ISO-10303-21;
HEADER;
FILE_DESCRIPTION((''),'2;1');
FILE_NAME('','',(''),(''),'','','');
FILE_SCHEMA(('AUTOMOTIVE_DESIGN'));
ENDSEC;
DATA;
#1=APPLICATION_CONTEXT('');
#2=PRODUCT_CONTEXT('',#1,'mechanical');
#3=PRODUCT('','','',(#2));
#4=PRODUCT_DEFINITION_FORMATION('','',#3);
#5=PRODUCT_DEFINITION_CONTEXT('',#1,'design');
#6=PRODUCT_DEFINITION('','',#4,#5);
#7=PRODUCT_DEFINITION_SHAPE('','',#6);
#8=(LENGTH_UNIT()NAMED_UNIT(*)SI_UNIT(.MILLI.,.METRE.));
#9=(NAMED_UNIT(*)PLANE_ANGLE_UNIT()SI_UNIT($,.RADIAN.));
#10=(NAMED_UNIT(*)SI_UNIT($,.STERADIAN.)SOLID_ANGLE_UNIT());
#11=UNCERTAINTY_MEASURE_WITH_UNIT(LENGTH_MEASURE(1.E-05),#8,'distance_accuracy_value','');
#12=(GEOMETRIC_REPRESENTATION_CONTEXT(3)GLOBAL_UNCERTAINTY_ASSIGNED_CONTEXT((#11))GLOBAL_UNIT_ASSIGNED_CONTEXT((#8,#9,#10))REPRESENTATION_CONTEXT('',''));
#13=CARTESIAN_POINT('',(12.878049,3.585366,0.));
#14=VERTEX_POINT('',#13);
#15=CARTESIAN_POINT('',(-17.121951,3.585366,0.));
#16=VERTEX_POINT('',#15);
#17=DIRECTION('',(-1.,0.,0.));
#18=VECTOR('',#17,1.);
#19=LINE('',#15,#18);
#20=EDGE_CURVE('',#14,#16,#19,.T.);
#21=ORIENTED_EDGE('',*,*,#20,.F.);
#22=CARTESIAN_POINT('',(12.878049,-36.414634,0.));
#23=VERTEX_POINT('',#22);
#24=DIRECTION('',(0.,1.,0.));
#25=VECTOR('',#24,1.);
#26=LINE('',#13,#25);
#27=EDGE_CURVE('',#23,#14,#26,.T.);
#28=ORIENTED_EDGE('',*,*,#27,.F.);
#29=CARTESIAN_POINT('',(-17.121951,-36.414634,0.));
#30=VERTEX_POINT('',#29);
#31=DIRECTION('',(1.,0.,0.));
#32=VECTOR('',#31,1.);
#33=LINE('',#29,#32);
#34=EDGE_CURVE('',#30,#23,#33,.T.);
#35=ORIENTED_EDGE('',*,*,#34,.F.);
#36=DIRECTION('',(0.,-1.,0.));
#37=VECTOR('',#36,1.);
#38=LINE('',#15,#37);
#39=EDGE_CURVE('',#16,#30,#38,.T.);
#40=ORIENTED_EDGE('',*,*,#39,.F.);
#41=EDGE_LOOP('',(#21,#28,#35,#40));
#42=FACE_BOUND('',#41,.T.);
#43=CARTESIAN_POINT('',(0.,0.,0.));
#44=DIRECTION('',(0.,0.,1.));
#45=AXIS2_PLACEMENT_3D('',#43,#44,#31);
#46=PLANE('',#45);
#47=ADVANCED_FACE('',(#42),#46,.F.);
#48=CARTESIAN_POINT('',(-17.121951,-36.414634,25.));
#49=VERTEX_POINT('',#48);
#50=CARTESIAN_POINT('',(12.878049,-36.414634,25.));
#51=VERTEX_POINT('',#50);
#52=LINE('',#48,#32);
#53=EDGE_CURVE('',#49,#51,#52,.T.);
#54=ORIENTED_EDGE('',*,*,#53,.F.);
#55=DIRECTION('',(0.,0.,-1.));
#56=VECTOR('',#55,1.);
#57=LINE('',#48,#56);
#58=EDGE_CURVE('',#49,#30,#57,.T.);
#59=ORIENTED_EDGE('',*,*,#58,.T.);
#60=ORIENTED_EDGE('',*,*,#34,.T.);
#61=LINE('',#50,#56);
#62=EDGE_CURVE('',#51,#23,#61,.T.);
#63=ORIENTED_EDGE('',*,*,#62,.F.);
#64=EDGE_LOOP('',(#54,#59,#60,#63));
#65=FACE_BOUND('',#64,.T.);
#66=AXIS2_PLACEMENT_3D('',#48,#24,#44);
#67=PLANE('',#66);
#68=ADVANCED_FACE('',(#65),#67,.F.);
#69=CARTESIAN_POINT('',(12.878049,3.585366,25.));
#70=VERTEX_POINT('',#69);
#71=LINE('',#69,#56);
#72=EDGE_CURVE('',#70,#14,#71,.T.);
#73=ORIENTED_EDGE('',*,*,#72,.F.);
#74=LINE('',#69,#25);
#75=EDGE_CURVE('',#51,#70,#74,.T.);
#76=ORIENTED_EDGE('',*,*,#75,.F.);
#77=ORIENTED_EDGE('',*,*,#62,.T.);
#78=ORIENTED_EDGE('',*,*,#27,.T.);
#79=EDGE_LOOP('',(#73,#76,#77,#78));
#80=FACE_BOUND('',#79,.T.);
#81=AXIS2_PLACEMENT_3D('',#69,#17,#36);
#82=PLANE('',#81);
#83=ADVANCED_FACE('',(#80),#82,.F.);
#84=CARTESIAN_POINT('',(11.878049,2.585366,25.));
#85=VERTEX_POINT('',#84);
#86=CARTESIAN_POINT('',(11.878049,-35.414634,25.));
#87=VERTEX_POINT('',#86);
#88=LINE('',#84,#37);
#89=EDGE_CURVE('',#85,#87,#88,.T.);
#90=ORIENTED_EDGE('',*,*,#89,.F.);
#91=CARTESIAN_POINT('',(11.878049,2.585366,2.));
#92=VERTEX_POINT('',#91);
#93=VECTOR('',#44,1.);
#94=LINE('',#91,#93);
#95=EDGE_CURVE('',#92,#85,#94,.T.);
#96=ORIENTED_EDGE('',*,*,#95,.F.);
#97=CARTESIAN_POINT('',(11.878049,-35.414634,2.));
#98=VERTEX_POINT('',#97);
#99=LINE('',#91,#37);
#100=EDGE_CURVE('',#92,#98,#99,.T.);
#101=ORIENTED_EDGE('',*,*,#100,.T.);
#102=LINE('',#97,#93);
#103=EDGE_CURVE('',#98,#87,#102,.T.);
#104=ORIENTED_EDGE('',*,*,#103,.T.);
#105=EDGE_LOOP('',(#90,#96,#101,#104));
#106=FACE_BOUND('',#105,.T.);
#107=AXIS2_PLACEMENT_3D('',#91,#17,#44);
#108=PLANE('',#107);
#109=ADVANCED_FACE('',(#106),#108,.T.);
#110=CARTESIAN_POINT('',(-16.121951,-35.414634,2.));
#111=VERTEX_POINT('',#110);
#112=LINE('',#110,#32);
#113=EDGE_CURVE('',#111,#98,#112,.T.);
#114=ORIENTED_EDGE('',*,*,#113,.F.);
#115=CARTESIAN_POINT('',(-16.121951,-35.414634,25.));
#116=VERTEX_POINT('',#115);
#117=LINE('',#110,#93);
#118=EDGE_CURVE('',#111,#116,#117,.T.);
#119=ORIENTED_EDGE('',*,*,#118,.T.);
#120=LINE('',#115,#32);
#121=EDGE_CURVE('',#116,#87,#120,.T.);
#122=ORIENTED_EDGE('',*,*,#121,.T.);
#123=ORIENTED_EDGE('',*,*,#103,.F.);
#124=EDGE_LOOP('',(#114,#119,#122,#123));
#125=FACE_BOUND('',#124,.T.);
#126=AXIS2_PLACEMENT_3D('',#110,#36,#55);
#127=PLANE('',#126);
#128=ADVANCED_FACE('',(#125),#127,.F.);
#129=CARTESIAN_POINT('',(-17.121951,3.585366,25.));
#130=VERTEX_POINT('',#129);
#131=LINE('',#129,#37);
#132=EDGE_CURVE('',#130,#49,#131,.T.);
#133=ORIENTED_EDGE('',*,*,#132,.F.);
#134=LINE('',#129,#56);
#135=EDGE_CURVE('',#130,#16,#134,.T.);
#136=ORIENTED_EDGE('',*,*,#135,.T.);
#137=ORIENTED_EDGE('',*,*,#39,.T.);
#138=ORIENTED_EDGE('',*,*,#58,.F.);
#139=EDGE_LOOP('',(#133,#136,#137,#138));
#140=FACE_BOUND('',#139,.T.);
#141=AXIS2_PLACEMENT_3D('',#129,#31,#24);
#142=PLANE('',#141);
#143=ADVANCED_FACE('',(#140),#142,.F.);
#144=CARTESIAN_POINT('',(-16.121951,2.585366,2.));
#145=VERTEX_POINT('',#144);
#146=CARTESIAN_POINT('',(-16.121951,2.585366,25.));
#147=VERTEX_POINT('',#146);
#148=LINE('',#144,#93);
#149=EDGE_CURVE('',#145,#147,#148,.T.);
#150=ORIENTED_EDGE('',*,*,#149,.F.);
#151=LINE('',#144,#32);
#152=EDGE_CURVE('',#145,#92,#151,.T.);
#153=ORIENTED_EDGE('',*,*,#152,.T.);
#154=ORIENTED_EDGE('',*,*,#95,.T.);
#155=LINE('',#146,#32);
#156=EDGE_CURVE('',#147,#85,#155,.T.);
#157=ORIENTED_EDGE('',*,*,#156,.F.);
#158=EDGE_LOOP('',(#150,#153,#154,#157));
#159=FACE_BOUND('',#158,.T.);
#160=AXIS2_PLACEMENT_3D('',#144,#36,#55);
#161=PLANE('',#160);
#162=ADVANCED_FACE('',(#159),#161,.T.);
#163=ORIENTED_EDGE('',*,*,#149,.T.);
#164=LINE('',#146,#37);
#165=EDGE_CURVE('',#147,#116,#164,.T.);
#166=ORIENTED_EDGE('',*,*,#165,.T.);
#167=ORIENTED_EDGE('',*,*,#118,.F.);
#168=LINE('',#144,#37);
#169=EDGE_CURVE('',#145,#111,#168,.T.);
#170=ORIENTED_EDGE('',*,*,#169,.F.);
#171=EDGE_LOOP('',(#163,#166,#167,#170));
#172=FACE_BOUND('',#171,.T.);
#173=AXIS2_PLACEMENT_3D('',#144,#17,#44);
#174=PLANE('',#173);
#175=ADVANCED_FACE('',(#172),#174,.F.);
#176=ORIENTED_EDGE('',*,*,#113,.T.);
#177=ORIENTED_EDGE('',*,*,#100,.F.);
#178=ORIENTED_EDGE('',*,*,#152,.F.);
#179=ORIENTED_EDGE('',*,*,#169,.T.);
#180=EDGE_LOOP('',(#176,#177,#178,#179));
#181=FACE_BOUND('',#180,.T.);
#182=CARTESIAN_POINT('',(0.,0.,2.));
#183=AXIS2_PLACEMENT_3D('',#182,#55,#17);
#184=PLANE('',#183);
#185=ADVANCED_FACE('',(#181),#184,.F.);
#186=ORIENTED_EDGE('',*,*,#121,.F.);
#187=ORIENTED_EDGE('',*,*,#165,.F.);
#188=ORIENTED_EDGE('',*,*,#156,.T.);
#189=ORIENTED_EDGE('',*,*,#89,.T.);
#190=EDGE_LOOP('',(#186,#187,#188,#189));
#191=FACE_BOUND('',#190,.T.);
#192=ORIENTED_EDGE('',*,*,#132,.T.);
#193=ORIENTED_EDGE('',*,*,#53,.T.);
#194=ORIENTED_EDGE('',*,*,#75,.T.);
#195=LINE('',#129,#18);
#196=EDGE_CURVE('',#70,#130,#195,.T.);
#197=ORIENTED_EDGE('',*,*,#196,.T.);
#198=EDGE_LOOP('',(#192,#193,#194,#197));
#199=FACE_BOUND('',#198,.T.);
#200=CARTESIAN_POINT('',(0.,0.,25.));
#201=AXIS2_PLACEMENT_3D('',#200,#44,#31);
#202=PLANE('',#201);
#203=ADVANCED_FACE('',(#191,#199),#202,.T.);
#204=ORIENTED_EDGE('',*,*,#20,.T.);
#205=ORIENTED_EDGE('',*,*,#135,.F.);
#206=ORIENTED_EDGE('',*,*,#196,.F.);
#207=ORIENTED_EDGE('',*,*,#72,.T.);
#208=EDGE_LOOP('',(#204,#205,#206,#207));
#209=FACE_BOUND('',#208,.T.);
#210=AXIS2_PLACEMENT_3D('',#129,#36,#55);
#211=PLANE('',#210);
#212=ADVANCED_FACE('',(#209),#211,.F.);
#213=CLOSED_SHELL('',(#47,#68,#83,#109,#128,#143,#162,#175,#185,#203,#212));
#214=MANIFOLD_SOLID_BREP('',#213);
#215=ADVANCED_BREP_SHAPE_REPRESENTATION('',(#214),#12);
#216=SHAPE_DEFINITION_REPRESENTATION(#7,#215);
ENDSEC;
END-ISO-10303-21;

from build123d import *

# Parameters (mm, degrees)
SKETCH_1_W          = 30
SKETCH_1_H          = 40
EXTRUDE_1_DEPTH     = 25
SKETCH_2_W          = 28
SKETCH_2_H          = 38
CUT_EXTRUDE_1_DEPTH = 23


with BuildPart() as part:
    # 草图1 → 凸台-拉伸1 (new body)
    with BuildSketch(Plane.XY):
        with Locations((-2.12195122, -16.414634146)):
            Rectangle(SKETCH_1_W, SKETCH_1_H)
    extrude(amount=EXTRUDE_1_DEPTH)

    # 草图2 → 切除-拉伸1 (cut)
    with BuildSketch(Plane.XY.offset(25)):
        with Locations((-2.12195122, -16.414634146)):
            Rectangle(SKETCH_2_W, SKETCH_2_H)
    extrude(amount=-CUT_EXTRUDE_1_DEPTH, mode=Mode.SUBTRACT)


solid = part.part
